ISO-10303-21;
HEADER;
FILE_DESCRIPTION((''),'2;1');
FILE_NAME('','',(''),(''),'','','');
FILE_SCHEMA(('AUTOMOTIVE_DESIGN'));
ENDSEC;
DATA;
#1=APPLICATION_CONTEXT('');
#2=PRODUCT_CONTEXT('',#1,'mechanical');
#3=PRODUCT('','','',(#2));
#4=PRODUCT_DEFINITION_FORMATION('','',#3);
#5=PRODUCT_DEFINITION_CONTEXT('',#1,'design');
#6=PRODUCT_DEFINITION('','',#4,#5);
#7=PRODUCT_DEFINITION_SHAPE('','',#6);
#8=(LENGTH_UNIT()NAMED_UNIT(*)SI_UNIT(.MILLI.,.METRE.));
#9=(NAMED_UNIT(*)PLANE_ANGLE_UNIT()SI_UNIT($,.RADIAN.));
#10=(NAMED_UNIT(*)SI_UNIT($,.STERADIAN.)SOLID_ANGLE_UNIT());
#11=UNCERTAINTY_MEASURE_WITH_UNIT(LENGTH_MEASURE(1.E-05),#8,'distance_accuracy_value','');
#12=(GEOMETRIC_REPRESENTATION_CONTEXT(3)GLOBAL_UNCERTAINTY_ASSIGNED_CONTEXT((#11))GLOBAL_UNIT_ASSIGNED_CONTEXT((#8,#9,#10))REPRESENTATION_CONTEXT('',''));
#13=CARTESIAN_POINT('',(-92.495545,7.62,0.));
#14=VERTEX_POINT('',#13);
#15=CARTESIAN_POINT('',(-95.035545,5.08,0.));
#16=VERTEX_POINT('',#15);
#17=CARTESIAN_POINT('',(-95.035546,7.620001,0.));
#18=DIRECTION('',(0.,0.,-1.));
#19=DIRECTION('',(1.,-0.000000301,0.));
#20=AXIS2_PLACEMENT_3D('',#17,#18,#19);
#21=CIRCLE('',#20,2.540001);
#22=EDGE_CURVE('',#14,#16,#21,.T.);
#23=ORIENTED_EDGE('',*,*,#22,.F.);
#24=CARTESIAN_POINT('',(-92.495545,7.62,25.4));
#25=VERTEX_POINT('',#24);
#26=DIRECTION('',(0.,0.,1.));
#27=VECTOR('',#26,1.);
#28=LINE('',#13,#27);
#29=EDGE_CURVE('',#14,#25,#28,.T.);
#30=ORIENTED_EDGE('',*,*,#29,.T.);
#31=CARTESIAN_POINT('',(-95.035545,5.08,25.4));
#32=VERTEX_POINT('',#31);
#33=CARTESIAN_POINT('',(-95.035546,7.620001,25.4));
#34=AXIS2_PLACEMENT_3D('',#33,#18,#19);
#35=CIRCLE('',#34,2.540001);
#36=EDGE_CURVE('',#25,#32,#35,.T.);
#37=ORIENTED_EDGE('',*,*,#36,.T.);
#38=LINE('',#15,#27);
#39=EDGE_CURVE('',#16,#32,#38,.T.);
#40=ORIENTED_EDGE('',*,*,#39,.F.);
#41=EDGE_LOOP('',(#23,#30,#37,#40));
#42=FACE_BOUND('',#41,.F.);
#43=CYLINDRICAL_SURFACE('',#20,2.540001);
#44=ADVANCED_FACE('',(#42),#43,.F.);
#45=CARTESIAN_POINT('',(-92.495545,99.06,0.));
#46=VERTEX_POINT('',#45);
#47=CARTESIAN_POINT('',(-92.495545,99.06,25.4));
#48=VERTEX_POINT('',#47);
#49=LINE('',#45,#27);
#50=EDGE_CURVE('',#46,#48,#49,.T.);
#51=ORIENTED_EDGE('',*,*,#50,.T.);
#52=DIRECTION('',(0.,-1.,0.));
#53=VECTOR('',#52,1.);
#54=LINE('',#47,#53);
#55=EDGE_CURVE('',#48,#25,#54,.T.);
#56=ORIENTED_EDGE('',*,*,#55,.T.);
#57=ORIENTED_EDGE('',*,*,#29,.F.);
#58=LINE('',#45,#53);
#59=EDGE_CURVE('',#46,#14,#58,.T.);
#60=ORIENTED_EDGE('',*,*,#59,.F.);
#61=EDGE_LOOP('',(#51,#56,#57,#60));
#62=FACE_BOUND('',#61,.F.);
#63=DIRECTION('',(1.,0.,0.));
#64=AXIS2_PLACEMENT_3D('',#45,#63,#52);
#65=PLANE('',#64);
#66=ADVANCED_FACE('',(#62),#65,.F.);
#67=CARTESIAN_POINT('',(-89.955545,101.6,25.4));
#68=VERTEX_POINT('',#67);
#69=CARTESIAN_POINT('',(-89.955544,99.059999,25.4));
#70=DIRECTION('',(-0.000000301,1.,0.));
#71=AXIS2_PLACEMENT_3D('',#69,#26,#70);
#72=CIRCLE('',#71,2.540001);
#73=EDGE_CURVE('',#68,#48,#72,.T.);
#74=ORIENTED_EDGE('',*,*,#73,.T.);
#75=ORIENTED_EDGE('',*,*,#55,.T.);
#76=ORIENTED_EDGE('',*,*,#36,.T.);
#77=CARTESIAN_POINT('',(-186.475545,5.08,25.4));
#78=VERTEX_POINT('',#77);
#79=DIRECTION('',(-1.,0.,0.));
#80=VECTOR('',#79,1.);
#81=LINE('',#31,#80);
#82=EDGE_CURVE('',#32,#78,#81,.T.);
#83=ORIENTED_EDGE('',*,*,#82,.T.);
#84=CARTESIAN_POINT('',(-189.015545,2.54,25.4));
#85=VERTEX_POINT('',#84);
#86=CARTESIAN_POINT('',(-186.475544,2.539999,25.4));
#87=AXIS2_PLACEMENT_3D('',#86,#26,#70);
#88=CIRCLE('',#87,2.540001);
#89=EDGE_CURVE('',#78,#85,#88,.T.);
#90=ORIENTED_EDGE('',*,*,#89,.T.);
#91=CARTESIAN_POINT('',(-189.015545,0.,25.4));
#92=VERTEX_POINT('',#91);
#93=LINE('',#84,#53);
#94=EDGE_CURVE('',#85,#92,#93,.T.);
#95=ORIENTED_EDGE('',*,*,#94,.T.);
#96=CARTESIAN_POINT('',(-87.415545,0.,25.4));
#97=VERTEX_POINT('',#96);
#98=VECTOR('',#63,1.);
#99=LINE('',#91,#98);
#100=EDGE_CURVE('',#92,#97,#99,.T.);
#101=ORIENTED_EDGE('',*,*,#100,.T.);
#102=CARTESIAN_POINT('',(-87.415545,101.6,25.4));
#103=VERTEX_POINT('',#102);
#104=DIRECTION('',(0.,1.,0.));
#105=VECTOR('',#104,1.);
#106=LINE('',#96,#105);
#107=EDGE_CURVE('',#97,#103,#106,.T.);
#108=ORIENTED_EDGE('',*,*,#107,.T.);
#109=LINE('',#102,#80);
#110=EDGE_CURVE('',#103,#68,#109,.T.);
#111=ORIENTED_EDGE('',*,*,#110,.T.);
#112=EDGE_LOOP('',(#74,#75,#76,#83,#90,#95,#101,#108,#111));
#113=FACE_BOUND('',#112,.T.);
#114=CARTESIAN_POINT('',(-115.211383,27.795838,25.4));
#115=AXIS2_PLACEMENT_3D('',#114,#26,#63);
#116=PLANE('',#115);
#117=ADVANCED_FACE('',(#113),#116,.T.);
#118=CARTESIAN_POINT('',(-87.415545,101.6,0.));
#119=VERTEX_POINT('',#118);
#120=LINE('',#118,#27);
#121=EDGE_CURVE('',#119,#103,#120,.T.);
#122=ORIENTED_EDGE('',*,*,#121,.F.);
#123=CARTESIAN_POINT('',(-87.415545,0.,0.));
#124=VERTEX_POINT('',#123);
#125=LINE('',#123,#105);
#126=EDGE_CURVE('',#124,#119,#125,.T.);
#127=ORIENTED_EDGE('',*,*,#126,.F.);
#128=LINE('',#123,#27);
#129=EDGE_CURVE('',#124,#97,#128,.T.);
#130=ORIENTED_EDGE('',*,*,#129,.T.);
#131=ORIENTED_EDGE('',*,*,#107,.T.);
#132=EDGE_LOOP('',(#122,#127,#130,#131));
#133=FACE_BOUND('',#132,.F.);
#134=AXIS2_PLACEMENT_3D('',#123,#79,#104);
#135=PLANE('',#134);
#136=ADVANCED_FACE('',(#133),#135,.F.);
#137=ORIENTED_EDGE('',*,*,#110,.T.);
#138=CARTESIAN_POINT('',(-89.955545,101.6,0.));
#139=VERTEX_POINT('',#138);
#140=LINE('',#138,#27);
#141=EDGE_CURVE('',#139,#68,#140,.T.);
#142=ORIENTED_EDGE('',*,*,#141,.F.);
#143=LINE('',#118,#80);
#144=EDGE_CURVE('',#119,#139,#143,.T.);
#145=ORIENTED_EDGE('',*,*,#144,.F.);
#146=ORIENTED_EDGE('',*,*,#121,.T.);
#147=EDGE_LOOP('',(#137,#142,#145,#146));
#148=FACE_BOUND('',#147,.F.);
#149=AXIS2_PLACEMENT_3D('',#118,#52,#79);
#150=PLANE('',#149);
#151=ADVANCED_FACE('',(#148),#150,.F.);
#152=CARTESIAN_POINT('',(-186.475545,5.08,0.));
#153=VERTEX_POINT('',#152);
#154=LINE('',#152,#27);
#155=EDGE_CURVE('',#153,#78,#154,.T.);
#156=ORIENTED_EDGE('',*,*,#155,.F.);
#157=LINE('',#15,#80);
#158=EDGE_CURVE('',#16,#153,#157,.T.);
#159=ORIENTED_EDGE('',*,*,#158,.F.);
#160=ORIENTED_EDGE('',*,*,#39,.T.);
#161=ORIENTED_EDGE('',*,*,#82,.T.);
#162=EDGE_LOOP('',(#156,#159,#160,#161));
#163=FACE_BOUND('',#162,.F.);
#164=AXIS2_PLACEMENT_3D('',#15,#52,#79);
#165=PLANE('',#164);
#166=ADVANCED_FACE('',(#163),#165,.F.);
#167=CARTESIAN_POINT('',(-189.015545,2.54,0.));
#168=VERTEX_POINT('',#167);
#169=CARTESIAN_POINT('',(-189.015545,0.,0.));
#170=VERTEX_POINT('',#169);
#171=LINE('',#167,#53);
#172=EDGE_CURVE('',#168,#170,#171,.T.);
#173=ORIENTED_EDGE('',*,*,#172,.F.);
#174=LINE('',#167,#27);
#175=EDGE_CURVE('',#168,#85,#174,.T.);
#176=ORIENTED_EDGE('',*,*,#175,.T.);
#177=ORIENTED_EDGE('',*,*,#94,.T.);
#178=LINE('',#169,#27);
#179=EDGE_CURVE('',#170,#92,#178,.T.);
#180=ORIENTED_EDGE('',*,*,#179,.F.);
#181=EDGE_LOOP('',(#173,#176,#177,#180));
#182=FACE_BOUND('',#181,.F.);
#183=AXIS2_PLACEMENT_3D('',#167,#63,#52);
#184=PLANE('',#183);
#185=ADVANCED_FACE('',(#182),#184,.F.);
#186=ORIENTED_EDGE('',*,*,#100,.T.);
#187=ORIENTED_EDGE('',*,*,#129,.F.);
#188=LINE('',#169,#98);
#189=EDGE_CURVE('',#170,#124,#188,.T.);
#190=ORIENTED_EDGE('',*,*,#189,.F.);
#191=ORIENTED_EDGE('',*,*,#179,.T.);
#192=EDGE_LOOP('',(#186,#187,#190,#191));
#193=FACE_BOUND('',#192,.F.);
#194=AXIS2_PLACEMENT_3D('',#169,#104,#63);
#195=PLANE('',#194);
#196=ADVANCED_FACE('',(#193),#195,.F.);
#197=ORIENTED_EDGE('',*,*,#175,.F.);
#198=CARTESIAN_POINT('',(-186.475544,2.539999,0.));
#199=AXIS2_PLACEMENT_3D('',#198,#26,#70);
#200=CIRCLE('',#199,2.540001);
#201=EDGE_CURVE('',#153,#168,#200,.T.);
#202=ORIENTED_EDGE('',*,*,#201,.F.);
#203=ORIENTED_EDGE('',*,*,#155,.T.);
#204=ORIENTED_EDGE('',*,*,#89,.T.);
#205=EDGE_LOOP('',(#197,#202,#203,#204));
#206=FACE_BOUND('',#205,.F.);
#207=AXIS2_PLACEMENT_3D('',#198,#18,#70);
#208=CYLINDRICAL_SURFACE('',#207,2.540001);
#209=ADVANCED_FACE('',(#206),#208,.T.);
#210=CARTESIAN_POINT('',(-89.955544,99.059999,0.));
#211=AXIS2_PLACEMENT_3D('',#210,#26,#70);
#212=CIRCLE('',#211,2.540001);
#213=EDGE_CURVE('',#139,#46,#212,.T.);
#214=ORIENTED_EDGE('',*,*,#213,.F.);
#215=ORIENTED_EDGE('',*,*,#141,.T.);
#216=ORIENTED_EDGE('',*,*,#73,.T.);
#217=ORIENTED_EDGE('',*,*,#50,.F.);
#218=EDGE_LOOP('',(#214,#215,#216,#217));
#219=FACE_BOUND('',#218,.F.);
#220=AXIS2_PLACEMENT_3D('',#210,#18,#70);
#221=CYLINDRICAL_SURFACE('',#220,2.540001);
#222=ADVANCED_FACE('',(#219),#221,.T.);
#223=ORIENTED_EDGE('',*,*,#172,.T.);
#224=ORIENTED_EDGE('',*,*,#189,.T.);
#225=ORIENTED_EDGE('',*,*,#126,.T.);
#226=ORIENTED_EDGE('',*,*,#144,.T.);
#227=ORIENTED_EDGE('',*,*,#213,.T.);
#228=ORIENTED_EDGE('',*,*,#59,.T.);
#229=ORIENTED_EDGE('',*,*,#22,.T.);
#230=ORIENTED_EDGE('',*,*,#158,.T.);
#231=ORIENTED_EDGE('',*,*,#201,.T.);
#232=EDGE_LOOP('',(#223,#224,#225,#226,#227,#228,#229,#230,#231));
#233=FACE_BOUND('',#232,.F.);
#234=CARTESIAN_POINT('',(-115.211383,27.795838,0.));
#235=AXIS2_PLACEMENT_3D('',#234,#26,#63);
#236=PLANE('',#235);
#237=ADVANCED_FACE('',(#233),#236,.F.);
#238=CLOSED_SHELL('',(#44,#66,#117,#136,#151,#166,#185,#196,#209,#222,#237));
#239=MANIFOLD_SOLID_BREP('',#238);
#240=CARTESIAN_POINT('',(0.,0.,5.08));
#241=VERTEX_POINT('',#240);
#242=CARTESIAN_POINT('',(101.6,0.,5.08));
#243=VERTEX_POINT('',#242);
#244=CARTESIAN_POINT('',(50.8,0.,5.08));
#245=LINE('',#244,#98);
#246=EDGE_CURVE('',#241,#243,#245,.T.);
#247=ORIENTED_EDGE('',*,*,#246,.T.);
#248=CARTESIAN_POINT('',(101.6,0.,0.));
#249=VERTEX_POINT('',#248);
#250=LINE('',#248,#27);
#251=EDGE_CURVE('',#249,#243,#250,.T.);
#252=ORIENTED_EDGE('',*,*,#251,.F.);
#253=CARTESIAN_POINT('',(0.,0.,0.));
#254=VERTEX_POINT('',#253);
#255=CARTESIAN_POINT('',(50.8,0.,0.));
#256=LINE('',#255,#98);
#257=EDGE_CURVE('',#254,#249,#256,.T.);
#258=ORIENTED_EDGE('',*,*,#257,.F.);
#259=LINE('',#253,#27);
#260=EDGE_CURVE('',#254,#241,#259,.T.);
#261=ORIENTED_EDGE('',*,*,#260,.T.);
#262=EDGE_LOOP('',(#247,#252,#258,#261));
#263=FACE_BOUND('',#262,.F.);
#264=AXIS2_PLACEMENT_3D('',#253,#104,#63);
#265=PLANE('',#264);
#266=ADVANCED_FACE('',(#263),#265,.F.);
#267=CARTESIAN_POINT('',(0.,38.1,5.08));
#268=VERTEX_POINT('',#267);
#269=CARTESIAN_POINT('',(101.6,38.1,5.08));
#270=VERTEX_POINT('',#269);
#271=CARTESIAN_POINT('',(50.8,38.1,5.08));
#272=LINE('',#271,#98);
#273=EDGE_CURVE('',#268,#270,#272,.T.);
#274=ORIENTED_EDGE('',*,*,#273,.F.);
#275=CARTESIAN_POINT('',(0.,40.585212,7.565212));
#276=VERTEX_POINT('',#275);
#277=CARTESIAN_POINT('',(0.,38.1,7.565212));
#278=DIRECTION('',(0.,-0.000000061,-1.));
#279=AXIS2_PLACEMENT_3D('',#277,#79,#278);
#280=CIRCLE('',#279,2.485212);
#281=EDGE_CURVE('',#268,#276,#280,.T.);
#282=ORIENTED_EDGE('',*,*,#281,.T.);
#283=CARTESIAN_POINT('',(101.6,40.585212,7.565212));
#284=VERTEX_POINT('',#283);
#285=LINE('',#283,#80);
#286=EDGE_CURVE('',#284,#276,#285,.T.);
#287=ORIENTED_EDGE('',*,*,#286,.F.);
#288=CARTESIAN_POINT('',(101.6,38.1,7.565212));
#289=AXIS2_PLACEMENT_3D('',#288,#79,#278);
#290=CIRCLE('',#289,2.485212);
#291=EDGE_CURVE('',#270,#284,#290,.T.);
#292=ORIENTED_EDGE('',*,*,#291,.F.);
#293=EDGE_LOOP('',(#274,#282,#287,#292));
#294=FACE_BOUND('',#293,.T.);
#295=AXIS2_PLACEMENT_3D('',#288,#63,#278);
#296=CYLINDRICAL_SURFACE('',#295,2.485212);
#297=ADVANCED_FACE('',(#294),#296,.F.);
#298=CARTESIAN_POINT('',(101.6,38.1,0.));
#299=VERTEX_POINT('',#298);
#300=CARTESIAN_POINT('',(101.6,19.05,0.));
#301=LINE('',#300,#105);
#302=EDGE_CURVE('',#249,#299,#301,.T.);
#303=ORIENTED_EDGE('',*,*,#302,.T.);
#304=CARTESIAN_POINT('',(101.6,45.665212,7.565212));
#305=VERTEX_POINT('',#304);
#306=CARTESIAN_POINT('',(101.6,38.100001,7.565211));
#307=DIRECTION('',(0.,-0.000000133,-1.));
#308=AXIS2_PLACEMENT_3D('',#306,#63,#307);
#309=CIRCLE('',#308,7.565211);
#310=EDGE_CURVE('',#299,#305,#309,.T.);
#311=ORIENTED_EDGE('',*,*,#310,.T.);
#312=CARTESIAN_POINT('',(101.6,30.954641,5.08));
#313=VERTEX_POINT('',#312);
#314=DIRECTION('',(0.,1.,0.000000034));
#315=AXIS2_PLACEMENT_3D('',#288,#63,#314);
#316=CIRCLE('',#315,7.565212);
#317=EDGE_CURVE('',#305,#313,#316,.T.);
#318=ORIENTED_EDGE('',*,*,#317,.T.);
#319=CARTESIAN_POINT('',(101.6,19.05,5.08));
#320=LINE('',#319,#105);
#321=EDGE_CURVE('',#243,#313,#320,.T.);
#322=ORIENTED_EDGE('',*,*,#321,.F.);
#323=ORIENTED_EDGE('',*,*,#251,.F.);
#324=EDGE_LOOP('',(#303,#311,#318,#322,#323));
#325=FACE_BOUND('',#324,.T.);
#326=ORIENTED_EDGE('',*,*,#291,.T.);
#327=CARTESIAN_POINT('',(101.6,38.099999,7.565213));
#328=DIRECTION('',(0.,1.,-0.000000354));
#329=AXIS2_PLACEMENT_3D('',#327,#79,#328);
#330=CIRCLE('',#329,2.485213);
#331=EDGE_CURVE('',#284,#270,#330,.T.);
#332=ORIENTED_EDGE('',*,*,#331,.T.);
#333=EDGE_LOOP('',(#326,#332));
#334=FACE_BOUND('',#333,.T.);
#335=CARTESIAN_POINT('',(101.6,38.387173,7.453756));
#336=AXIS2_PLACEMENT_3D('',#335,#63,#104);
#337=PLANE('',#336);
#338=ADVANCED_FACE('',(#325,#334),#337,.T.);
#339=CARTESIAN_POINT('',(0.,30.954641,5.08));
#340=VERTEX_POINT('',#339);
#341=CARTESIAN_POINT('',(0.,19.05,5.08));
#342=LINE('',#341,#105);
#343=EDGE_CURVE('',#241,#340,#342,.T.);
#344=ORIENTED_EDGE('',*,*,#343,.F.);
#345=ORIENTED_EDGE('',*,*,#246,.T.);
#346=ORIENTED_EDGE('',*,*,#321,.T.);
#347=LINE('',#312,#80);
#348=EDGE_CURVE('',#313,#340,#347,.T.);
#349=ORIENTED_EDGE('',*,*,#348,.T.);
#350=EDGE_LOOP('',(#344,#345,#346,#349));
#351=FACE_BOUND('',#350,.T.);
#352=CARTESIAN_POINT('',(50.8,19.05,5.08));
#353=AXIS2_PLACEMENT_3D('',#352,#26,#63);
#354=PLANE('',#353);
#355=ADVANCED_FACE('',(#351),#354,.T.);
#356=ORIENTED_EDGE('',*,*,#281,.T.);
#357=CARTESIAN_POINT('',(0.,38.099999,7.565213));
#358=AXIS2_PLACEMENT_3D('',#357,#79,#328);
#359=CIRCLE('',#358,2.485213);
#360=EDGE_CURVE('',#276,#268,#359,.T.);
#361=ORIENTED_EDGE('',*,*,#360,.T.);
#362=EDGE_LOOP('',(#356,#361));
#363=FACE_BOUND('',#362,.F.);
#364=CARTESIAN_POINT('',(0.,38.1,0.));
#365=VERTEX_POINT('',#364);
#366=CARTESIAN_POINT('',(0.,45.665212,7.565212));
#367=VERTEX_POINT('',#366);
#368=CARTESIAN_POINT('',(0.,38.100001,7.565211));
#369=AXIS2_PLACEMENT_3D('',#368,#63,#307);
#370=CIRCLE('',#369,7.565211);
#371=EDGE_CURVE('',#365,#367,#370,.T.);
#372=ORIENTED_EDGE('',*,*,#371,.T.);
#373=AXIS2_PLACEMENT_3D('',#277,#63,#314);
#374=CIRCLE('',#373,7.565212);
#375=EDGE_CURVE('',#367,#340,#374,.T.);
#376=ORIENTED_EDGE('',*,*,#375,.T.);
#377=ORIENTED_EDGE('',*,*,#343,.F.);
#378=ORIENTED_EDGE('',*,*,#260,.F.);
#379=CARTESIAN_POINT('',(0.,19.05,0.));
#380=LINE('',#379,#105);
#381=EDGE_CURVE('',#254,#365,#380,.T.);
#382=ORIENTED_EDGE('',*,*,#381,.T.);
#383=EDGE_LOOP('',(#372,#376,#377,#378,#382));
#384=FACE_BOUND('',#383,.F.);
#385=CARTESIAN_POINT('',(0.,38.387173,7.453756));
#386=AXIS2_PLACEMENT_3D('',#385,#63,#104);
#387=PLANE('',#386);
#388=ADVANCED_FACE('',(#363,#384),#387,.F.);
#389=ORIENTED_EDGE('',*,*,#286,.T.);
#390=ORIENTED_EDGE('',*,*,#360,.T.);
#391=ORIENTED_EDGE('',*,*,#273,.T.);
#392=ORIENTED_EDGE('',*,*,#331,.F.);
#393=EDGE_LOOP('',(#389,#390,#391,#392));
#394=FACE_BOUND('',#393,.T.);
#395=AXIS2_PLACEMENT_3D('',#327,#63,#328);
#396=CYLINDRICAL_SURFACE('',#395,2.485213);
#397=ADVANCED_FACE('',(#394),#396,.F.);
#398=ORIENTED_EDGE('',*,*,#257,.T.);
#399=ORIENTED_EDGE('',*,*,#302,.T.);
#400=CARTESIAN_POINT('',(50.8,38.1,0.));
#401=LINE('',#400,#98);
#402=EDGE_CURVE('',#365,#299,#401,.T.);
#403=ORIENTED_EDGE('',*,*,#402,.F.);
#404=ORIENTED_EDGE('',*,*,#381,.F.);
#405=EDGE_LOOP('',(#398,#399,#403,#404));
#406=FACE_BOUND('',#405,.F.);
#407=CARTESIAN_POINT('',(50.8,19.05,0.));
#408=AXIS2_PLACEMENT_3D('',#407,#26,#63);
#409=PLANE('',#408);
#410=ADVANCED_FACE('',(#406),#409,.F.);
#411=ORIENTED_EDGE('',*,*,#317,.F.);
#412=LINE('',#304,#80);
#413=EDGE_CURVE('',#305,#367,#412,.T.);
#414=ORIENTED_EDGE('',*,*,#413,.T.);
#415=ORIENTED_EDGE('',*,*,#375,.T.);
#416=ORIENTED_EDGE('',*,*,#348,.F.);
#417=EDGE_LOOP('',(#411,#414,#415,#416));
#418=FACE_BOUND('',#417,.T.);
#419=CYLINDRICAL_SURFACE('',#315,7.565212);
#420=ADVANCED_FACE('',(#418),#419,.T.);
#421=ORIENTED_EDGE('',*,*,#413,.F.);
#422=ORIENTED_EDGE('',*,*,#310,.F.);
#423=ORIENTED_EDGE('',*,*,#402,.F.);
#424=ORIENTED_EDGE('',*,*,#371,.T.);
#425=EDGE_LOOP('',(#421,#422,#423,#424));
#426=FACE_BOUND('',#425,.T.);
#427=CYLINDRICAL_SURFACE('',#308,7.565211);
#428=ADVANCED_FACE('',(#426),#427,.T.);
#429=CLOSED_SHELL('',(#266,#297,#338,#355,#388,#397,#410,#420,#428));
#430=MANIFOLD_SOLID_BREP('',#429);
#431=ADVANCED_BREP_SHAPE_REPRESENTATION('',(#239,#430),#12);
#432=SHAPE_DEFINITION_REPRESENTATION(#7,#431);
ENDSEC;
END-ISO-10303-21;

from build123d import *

# Parameters (mm, degrees)
F0_W     = 101.6
F0_H     = 38.1
F1_DEPTH = 5.08
F3_DEPTH = 101.6
F5_DEPTH = 25.4


with BuildPart() as f1:
    # F0 (on Top) → F1 (new body)
    with BuildSketch(Plane.XY):
        with Locations((50.8, 19.05)):
            Rectangle(F0_W, F0_H)
    extrude(amount=F1_DEPTH)

    # F2 (on face) → F3 (join)
    with BuildSketch(Plane.YZ.offset(101.6)):
        with BuildLine():
            Line((38.1, 5.08), (38.1, 0))
            ThreePointArc((38.1, 0), (43.449413, 2.215799), (45.665212, 7.565212))
            ThreePointArc((45.665212, 7.565212), (36.839786, 15.024722), (30.954641, 5.08))
            Line((30.954641, 5.08), (38.1, 5.08))
        make_face()
        with BuildLine():
            ThreePointArc((40.585212, 7.565212), (39.85731, 5.807902), (38.1, 5.08))
            ThreePointArc((38.1, 5.08), (36.34269, 9.322522), (40.585212, 7.565212))
        make_face(mode=Mode.SUBTRACT)
    extrude(amount=-F3_DEPTH)


with BuildPart() as f5:
    # F4 (on Top) → F5 (new body)
    with BuildSketch(Plane.XY):
        with BuildLine():
            Line((-189.015545, 0), (-87.415545, 0))
            Line((-87.415545, 0), (-87.415545, 101.6))
            Line((-87.415545, 101.6), (-89.955545, 101.6))
            ThreePointArc((-89.955545, 101.6), (-91.751596, 100.856051), (-92.495545, 99.06))
            Line((-92.495545, 99.06), (-92.495545, 7.62))
            ThreePointArc((-92.495545, 7.62), (-93.239494, 5.823949), (-95.035545, 5.08))
            Line((-95.035545, 5.08), (-186.475545, 5.08))
            ThreePointArc((-186.475545, 5.08), (-188.271596, 4.336051), (-189.015545, 2.54))
            Line((-189.015545, 2.54), (-189.015545, 0))
        make_face()
    extrude(amount=F5_DEPTH)


solid = Compound([f1.part, f5.part])
